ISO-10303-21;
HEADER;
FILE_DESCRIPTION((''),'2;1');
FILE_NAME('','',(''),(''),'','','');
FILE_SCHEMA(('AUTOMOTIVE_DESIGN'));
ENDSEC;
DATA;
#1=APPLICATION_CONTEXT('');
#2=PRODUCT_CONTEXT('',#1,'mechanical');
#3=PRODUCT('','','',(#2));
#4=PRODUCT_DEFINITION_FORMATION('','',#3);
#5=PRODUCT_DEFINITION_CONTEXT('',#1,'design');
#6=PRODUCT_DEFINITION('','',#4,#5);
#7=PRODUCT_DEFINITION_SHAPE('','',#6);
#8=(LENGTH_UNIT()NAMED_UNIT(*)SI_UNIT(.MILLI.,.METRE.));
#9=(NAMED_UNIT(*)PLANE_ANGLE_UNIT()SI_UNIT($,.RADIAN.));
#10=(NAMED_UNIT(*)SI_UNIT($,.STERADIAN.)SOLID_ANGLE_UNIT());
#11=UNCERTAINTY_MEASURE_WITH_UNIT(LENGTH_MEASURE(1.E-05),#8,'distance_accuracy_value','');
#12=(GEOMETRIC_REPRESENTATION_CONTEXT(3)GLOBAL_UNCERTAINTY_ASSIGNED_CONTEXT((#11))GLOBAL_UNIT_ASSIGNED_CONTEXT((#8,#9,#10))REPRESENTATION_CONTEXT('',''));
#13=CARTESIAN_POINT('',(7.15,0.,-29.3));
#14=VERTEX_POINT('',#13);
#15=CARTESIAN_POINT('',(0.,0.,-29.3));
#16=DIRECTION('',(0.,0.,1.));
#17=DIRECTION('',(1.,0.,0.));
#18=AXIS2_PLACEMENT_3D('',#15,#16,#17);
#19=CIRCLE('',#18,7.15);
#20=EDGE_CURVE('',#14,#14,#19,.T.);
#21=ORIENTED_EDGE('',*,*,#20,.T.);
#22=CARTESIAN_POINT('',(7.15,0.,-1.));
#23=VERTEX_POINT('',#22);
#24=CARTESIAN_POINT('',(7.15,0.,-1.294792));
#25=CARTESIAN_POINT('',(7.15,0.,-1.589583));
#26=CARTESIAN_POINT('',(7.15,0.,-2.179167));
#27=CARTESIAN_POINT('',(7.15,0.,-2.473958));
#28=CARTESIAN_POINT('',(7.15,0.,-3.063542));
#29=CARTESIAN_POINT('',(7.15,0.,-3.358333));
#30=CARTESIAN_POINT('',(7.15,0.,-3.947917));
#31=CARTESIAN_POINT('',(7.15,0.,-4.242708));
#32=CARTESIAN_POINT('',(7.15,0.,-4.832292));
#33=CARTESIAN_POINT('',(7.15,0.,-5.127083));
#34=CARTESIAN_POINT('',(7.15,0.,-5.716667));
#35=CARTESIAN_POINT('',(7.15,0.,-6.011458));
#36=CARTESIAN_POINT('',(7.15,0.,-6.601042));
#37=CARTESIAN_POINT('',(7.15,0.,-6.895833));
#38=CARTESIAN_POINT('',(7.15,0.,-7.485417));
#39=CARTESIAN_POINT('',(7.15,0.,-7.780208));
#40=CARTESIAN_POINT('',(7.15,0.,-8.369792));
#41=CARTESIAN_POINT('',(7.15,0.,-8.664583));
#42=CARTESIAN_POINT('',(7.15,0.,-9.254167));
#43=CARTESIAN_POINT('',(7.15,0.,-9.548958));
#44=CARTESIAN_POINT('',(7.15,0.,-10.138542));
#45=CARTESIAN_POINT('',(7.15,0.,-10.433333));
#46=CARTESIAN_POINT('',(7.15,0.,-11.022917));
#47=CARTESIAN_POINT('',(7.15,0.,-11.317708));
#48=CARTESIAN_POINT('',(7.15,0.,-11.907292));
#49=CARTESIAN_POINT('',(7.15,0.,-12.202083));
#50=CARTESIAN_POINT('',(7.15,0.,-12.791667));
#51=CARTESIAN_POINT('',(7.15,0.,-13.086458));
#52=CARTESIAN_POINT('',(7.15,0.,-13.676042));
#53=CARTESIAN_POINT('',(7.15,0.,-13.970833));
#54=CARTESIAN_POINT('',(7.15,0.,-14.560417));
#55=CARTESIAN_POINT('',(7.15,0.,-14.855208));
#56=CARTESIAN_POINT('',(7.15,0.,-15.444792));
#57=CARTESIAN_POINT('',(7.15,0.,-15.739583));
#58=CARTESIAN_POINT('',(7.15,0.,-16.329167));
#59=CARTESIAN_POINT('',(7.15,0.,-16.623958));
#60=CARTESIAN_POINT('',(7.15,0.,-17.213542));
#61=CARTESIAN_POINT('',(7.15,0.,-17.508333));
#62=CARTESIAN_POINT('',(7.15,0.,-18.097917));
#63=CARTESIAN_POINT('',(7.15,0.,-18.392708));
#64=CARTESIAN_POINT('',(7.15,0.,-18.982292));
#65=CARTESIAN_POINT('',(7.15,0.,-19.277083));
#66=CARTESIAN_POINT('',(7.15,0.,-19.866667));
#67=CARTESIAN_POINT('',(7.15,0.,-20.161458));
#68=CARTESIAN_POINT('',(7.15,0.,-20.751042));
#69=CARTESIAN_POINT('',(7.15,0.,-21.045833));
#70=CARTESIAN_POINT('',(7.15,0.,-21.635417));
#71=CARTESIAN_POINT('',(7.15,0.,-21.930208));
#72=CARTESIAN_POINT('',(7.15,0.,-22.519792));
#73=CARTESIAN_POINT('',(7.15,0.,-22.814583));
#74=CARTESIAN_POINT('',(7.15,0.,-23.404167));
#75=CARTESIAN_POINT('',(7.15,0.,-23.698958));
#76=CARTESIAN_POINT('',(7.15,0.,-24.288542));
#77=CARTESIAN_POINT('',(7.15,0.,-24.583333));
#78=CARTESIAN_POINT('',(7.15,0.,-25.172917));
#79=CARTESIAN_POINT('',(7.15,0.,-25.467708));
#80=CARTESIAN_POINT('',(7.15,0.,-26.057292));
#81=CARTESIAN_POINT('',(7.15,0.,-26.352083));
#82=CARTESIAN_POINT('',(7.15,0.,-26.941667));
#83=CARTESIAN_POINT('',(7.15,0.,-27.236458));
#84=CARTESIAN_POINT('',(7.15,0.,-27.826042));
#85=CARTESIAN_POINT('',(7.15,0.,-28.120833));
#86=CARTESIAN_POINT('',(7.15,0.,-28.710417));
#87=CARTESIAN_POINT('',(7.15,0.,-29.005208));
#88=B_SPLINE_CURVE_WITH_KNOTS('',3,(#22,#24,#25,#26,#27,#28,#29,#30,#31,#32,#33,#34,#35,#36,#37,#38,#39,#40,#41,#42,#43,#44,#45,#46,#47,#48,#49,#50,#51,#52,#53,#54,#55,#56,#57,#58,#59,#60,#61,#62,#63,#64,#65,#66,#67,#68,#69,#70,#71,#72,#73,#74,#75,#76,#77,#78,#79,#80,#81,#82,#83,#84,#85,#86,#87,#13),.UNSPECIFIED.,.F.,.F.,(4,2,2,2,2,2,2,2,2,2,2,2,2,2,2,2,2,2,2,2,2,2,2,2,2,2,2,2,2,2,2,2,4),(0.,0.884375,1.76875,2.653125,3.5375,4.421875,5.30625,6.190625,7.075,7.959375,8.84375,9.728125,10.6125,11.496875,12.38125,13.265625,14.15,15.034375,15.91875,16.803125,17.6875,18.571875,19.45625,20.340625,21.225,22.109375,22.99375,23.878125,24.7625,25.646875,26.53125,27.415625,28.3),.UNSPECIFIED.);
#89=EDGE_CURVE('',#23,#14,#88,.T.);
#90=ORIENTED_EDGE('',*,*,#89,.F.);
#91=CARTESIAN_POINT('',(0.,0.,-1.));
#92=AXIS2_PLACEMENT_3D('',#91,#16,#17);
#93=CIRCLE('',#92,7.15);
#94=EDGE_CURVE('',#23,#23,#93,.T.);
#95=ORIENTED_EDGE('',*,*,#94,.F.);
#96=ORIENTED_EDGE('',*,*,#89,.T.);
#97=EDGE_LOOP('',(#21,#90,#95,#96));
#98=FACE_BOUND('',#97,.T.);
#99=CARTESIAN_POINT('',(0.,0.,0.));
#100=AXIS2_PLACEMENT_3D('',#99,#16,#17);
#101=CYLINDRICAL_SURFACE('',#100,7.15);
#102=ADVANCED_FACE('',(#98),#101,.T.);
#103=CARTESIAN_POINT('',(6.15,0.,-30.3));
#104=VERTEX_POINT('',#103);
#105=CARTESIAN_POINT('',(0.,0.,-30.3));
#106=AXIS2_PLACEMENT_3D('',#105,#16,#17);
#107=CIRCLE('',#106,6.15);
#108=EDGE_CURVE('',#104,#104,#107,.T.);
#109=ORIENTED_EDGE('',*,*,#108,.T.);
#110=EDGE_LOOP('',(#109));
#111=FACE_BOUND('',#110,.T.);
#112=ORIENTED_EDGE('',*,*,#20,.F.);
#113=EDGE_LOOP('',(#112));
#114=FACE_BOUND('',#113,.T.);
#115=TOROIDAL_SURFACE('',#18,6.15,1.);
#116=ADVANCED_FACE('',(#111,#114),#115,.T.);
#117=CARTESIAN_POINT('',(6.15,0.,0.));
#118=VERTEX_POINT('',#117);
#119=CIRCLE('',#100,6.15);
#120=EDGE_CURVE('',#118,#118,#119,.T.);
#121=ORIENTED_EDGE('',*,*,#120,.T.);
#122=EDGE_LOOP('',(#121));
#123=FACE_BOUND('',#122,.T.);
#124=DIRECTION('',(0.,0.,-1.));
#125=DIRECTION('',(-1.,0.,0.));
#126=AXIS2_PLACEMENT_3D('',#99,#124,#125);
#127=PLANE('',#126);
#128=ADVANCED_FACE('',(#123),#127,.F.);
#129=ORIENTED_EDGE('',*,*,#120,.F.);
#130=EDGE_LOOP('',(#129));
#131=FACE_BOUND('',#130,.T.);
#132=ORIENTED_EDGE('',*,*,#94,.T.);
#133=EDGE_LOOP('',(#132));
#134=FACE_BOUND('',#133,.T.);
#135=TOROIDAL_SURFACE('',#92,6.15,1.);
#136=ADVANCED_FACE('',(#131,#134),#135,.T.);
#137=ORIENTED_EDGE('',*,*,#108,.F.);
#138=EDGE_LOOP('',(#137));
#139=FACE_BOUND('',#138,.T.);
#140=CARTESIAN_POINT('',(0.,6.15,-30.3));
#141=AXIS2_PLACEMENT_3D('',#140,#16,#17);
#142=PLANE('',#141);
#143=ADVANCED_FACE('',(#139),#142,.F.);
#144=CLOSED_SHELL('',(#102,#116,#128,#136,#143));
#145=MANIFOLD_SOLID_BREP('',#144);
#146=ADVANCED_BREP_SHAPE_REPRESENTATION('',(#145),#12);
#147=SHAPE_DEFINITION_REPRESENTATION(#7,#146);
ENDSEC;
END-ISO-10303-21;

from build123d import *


with BuildPart() as part:
    # Sketch1 → Revolve1 (revolve)
    with BuildSketch(Plane(origin=(0, 0, 0), x_dir=(0, 0, -1), z_dir=(1, 0, 0)), mode=Mode.PRIVATE) as revolve1_sk:
        with BuildLine():
            Line((0, 0), (0, 6.15))
            ThreePointArc((0, 6.15), (0.292893219, 6.857106781), (1, 7.15))
            Line((1, 7.15), (29.3, 7.15))
            ThreePointArc((29.3, 7.15), (30.007106781, 6.857106781), (30.3, 6.15))
            Line((30.3, 6.15), (30.3, 0))
            Line((30.3, 0), (0, 0))
        make_face()
    revolve(revolve1_sk.sketch.rotate(Axis((0, 0, 0), (0, 0, -1)), 90), axis=Axis((0, 0, 0), (0, 0, -1)))


solid = part.part
